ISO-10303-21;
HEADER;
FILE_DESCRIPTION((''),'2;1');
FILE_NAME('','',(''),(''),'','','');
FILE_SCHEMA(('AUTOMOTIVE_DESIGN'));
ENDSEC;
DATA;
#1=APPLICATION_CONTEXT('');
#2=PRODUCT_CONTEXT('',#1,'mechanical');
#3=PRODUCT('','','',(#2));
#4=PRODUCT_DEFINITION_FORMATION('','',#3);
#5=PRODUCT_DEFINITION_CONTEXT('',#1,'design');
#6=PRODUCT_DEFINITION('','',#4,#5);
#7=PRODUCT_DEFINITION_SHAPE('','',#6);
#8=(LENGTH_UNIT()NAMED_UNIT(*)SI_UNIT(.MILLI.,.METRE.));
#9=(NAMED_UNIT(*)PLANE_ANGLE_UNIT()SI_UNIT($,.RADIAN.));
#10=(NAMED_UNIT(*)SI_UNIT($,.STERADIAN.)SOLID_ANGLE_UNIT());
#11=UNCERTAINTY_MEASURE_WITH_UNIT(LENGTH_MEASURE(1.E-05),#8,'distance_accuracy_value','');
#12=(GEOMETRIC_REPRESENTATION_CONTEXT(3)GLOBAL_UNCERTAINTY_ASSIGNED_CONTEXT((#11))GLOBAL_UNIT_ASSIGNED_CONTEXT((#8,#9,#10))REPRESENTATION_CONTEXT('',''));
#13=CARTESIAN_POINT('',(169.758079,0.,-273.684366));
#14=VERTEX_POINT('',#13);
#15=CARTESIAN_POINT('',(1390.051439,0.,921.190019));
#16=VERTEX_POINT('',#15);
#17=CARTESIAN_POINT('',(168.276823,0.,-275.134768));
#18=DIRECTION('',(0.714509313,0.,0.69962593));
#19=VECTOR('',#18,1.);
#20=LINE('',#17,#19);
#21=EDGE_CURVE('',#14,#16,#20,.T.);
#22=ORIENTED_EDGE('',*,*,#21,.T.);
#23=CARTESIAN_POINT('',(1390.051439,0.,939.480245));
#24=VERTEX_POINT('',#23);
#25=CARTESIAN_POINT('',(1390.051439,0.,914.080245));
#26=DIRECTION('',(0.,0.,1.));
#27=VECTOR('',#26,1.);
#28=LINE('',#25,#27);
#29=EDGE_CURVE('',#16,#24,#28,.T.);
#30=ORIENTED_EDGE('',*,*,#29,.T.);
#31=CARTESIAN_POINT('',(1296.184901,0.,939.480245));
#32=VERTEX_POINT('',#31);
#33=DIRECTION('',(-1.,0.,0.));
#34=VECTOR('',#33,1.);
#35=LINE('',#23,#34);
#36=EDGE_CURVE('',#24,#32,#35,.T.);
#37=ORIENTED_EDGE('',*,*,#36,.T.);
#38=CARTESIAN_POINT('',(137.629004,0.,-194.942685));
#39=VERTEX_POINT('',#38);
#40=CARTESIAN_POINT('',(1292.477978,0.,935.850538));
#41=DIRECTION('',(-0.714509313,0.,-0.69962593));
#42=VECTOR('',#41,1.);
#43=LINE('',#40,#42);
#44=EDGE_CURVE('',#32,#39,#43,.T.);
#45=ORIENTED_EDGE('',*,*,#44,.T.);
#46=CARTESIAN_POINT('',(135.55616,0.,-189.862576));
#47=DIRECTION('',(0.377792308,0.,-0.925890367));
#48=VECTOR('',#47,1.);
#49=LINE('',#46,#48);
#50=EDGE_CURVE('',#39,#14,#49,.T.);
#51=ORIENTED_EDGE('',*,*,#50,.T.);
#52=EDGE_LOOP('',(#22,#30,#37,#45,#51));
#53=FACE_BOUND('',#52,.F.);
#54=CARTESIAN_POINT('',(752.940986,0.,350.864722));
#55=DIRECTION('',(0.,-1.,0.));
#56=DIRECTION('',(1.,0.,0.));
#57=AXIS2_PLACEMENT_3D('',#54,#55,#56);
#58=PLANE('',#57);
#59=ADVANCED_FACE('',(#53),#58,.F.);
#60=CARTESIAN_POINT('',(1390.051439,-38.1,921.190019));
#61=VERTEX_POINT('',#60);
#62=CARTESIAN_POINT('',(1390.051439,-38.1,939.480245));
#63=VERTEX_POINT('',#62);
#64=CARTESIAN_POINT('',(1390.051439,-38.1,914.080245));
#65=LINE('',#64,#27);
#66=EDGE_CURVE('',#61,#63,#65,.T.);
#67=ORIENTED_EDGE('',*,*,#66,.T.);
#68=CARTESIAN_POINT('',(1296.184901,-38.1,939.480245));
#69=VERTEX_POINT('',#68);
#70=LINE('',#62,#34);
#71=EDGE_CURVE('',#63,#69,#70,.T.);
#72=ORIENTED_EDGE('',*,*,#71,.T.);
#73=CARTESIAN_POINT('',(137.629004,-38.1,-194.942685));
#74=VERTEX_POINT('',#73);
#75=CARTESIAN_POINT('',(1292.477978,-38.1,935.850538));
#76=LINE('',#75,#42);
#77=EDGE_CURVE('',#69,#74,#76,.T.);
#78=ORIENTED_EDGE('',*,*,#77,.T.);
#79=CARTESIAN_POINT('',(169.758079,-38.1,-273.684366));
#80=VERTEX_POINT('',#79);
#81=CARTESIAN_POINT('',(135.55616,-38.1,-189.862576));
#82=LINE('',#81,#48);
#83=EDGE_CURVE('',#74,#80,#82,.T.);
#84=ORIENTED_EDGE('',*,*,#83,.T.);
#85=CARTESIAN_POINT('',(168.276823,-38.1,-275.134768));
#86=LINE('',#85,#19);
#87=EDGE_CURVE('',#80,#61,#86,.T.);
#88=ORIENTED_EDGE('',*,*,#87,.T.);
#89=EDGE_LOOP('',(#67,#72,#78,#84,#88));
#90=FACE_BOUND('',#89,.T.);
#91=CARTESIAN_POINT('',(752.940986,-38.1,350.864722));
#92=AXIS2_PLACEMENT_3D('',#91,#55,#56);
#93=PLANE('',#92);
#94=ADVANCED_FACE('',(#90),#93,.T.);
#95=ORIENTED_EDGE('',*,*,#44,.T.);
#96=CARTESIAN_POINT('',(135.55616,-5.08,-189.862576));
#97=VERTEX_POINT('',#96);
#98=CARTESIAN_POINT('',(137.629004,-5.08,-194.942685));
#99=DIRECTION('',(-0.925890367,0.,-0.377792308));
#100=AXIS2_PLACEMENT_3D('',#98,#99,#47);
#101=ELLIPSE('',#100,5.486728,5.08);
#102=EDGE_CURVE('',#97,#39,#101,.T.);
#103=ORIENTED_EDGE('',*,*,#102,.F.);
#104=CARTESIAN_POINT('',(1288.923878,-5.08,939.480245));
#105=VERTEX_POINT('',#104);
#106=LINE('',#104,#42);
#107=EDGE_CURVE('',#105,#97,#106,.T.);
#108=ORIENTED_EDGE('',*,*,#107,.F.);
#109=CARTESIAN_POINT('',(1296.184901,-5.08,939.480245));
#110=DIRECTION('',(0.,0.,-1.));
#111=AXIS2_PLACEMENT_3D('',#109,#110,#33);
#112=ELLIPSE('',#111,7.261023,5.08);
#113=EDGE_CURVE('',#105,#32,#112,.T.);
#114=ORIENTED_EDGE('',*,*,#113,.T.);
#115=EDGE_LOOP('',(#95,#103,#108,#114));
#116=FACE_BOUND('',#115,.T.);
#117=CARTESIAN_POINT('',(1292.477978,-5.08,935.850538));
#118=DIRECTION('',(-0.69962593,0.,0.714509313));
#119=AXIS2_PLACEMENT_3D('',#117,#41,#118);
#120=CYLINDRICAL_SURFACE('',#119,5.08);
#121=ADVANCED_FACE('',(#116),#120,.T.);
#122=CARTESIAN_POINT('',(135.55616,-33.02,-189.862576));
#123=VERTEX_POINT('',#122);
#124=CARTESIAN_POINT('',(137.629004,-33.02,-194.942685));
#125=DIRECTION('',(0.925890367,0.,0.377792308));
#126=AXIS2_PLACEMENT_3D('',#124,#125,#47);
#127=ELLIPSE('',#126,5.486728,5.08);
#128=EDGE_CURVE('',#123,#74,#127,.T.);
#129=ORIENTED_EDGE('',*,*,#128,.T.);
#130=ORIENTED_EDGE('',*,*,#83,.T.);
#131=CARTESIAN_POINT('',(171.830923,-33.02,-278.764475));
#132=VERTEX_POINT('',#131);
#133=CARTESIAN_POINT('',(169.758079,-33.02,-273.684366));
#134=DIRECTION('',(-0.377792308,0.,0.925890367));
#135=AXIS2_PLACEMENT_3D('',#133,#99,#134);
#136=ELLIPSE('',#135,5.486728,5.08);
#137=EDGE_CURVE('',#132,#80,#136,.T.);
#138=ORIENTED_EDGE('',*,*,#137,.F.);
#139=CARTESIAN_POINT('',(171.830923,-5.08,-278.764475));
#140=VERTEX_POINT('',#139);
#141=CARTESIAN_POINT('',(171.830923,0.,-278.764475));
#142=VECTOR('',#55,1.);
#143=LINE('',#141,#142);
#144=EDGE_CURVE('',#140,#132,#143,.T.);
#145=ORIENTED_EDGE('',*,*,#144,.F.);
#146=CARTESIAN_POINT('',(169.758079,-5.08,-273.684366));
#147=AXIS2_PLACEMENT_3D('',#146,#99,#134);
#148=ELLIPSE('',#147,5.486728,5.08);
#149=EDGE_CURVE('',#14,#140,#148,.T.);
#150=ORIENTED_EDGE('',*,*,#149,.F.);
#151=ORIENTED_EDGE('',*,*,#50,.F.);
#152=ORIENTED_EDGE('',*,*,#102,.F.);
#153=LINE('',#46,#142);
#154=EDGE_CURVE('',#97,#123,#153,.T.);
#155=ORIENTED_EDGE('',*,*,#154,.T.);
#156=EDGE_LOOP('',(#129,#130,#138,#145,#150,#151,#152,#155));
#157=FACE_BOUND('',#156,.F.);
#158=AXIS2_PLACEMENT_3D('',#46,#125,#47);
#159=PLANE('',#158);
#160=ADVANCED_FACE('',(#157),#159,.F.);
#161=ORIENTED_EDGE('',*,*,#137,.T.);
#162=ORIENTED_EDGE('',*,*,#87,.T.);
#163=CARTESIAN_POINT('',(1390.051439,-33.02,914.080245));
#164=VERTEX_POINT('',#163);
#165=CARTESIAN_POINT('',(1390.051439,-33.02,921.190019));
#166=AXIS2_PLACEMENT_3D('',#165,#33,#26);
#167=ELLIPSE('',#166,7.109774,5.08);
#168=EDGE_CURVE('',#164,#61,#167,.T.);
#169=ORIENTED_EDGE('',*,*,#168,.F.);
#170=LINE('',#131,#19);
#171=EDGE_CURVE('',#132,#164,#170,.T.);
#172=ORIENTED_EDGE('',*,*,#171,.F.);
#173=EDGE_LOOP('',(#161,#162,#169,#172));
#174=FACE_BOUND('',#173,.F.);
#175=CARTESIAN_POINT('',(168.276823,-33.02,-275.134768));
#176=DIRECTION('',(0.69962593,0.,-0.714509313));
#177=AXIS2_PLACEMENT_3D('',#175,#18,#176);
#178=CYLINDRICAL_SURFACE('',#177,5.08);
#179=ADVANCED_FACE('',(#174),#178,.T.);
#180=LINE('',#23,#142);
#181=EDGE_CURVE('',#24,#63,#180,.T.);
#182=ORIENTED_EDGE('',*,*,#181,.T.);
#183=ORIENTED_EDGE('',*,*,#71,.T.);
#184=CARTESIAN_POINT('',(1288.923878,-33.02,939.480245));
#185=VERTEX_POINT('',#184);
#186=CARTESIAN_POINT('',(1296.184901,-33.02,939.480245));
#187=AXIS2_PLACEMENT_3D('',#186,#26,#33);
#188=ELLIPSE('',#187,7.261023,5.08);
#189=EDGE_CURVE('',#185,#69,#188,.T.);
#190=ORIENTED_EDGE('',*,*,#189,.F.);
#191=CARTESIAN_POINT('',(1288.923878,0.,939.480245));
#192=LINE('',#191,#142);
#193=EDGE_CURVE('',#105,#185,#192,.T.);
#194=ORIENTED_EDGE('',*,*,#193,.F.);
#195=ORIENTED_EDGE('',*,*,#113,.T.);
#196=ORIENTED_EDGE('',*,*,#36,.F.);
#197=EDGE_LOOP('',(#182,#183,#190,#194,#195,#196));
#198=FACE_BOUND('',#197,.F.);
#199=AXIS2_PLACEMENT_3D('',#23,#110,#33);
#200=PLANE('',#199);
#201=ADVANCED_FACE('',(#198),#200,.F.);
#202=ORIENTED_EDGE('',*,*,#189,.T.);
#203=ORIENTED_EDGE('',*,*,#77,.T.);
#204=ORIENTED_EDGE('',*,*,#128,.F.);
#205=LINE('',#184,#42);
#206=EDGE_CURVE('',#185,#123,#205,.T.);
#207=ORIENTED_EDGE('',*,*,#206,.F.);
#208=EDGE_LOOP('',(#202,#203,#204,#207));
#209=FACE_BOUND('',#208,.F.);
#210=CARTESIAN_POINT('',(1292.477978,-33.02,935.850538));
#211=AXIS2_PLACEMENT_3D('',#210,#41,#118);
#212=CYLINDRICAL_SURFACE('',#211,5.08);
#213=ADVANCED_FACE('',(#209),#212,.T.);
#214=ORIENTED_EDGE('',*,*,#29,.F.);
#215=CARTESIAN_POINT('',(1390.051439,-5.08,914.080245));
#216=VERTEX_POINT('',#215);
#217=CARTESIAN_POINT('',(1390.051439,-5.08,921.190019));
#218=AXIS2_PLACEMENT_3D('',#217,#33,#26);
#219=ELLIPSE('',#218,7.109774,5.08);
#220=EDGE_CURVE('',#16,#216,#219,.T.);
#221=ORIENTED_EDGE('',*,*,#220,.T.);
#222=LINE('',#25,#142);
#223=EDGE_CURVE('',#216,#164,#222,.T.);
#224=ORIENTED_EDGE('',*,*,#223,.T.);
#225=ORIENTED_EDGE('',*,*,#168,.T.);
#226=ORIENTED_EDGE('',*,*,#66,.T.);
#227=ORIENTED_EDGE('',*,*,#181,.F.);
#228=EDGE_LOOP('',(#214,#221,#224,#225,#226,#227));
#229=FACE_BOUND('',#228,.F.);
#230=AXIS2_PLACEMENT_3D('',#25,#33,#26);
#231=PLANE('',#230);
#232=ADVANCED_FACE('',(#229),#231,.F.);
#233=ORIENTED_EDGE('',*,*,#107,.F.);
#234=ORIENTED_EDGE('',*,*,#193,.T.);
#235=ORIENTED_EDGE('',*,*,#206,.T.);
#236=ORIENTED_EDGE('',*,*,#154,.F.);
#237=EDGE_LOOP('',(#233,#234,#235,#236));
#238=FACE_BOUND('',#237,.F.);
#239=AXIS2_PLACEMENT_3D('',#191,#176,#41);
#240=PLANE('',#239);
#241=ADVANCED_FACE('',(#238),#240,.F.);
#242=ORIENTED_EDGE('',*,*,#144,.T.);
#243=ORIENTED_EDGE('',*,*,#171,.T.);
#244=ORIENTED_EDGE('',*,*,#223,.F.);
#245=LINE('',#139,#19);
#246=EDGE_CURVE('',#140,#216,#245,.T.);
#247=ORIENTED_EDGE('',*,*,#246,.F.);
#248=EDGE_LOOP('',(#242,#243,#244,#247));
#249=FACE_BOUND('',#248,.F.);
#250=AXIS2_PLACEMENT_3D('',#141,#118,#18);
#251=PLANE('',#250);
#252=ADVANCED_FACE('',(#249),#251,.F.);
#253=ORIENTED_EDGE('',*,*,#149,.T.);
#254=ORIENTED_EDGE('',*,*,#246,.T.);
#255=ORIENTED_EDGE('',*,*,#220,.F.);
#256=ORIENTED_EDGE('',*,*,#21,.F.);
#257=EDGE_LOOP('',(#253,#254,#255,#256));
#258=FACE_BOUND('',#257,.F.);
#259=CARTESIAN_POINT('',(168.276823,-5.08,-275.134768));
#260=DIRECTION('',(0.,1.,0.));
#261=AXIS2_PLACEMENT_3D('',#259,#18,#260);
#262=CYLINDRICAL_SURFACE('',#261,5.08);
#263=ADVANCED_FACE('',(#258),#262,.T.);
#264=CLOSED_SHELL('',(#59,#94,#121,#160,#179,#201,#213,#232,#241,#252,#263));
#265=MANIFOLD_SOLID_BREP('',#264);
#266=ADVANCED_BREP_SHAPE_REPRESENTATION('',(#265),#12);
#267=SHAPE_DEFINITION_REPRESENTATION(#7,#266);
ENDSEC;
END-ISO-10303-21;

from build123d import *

# Parameters (mm, degrees)
F1_DEPTH = 38.1
F2_R     = 5.08
F3_R     = 5.08


with BuildPart() as f1:
    # F0 (on Front) → F1 (new body)
    with BuildSketch(Plane.XZ):
        Polygon((1288.923878, 939.480245), (135.55616, -189.862576), (171.830923, -278.764475), (1390.051439, 914.080245), (1390.051439, 939.480245), align=None)
    extrude(amount=F1_DEPTH)

    # F2
    f2_edges = [f1.edges().sort_by_distance(p)[0] for p in [
        (712.240019, -38.1, 374.808834),
        (712.240019, 0, 374.808834),
        (780.941181, -38.1, 317.657885),
    ]]
    fillet(f2_edges, radius=F2_R)

    # F3
    f3_edges = [f1.edges().sort_by_distance(p)[0] for p in [
        (780.941181, 0, 317.657885),
    ]]
    fillet(f3_edges, radius=F3_R)


solid = f1.part
